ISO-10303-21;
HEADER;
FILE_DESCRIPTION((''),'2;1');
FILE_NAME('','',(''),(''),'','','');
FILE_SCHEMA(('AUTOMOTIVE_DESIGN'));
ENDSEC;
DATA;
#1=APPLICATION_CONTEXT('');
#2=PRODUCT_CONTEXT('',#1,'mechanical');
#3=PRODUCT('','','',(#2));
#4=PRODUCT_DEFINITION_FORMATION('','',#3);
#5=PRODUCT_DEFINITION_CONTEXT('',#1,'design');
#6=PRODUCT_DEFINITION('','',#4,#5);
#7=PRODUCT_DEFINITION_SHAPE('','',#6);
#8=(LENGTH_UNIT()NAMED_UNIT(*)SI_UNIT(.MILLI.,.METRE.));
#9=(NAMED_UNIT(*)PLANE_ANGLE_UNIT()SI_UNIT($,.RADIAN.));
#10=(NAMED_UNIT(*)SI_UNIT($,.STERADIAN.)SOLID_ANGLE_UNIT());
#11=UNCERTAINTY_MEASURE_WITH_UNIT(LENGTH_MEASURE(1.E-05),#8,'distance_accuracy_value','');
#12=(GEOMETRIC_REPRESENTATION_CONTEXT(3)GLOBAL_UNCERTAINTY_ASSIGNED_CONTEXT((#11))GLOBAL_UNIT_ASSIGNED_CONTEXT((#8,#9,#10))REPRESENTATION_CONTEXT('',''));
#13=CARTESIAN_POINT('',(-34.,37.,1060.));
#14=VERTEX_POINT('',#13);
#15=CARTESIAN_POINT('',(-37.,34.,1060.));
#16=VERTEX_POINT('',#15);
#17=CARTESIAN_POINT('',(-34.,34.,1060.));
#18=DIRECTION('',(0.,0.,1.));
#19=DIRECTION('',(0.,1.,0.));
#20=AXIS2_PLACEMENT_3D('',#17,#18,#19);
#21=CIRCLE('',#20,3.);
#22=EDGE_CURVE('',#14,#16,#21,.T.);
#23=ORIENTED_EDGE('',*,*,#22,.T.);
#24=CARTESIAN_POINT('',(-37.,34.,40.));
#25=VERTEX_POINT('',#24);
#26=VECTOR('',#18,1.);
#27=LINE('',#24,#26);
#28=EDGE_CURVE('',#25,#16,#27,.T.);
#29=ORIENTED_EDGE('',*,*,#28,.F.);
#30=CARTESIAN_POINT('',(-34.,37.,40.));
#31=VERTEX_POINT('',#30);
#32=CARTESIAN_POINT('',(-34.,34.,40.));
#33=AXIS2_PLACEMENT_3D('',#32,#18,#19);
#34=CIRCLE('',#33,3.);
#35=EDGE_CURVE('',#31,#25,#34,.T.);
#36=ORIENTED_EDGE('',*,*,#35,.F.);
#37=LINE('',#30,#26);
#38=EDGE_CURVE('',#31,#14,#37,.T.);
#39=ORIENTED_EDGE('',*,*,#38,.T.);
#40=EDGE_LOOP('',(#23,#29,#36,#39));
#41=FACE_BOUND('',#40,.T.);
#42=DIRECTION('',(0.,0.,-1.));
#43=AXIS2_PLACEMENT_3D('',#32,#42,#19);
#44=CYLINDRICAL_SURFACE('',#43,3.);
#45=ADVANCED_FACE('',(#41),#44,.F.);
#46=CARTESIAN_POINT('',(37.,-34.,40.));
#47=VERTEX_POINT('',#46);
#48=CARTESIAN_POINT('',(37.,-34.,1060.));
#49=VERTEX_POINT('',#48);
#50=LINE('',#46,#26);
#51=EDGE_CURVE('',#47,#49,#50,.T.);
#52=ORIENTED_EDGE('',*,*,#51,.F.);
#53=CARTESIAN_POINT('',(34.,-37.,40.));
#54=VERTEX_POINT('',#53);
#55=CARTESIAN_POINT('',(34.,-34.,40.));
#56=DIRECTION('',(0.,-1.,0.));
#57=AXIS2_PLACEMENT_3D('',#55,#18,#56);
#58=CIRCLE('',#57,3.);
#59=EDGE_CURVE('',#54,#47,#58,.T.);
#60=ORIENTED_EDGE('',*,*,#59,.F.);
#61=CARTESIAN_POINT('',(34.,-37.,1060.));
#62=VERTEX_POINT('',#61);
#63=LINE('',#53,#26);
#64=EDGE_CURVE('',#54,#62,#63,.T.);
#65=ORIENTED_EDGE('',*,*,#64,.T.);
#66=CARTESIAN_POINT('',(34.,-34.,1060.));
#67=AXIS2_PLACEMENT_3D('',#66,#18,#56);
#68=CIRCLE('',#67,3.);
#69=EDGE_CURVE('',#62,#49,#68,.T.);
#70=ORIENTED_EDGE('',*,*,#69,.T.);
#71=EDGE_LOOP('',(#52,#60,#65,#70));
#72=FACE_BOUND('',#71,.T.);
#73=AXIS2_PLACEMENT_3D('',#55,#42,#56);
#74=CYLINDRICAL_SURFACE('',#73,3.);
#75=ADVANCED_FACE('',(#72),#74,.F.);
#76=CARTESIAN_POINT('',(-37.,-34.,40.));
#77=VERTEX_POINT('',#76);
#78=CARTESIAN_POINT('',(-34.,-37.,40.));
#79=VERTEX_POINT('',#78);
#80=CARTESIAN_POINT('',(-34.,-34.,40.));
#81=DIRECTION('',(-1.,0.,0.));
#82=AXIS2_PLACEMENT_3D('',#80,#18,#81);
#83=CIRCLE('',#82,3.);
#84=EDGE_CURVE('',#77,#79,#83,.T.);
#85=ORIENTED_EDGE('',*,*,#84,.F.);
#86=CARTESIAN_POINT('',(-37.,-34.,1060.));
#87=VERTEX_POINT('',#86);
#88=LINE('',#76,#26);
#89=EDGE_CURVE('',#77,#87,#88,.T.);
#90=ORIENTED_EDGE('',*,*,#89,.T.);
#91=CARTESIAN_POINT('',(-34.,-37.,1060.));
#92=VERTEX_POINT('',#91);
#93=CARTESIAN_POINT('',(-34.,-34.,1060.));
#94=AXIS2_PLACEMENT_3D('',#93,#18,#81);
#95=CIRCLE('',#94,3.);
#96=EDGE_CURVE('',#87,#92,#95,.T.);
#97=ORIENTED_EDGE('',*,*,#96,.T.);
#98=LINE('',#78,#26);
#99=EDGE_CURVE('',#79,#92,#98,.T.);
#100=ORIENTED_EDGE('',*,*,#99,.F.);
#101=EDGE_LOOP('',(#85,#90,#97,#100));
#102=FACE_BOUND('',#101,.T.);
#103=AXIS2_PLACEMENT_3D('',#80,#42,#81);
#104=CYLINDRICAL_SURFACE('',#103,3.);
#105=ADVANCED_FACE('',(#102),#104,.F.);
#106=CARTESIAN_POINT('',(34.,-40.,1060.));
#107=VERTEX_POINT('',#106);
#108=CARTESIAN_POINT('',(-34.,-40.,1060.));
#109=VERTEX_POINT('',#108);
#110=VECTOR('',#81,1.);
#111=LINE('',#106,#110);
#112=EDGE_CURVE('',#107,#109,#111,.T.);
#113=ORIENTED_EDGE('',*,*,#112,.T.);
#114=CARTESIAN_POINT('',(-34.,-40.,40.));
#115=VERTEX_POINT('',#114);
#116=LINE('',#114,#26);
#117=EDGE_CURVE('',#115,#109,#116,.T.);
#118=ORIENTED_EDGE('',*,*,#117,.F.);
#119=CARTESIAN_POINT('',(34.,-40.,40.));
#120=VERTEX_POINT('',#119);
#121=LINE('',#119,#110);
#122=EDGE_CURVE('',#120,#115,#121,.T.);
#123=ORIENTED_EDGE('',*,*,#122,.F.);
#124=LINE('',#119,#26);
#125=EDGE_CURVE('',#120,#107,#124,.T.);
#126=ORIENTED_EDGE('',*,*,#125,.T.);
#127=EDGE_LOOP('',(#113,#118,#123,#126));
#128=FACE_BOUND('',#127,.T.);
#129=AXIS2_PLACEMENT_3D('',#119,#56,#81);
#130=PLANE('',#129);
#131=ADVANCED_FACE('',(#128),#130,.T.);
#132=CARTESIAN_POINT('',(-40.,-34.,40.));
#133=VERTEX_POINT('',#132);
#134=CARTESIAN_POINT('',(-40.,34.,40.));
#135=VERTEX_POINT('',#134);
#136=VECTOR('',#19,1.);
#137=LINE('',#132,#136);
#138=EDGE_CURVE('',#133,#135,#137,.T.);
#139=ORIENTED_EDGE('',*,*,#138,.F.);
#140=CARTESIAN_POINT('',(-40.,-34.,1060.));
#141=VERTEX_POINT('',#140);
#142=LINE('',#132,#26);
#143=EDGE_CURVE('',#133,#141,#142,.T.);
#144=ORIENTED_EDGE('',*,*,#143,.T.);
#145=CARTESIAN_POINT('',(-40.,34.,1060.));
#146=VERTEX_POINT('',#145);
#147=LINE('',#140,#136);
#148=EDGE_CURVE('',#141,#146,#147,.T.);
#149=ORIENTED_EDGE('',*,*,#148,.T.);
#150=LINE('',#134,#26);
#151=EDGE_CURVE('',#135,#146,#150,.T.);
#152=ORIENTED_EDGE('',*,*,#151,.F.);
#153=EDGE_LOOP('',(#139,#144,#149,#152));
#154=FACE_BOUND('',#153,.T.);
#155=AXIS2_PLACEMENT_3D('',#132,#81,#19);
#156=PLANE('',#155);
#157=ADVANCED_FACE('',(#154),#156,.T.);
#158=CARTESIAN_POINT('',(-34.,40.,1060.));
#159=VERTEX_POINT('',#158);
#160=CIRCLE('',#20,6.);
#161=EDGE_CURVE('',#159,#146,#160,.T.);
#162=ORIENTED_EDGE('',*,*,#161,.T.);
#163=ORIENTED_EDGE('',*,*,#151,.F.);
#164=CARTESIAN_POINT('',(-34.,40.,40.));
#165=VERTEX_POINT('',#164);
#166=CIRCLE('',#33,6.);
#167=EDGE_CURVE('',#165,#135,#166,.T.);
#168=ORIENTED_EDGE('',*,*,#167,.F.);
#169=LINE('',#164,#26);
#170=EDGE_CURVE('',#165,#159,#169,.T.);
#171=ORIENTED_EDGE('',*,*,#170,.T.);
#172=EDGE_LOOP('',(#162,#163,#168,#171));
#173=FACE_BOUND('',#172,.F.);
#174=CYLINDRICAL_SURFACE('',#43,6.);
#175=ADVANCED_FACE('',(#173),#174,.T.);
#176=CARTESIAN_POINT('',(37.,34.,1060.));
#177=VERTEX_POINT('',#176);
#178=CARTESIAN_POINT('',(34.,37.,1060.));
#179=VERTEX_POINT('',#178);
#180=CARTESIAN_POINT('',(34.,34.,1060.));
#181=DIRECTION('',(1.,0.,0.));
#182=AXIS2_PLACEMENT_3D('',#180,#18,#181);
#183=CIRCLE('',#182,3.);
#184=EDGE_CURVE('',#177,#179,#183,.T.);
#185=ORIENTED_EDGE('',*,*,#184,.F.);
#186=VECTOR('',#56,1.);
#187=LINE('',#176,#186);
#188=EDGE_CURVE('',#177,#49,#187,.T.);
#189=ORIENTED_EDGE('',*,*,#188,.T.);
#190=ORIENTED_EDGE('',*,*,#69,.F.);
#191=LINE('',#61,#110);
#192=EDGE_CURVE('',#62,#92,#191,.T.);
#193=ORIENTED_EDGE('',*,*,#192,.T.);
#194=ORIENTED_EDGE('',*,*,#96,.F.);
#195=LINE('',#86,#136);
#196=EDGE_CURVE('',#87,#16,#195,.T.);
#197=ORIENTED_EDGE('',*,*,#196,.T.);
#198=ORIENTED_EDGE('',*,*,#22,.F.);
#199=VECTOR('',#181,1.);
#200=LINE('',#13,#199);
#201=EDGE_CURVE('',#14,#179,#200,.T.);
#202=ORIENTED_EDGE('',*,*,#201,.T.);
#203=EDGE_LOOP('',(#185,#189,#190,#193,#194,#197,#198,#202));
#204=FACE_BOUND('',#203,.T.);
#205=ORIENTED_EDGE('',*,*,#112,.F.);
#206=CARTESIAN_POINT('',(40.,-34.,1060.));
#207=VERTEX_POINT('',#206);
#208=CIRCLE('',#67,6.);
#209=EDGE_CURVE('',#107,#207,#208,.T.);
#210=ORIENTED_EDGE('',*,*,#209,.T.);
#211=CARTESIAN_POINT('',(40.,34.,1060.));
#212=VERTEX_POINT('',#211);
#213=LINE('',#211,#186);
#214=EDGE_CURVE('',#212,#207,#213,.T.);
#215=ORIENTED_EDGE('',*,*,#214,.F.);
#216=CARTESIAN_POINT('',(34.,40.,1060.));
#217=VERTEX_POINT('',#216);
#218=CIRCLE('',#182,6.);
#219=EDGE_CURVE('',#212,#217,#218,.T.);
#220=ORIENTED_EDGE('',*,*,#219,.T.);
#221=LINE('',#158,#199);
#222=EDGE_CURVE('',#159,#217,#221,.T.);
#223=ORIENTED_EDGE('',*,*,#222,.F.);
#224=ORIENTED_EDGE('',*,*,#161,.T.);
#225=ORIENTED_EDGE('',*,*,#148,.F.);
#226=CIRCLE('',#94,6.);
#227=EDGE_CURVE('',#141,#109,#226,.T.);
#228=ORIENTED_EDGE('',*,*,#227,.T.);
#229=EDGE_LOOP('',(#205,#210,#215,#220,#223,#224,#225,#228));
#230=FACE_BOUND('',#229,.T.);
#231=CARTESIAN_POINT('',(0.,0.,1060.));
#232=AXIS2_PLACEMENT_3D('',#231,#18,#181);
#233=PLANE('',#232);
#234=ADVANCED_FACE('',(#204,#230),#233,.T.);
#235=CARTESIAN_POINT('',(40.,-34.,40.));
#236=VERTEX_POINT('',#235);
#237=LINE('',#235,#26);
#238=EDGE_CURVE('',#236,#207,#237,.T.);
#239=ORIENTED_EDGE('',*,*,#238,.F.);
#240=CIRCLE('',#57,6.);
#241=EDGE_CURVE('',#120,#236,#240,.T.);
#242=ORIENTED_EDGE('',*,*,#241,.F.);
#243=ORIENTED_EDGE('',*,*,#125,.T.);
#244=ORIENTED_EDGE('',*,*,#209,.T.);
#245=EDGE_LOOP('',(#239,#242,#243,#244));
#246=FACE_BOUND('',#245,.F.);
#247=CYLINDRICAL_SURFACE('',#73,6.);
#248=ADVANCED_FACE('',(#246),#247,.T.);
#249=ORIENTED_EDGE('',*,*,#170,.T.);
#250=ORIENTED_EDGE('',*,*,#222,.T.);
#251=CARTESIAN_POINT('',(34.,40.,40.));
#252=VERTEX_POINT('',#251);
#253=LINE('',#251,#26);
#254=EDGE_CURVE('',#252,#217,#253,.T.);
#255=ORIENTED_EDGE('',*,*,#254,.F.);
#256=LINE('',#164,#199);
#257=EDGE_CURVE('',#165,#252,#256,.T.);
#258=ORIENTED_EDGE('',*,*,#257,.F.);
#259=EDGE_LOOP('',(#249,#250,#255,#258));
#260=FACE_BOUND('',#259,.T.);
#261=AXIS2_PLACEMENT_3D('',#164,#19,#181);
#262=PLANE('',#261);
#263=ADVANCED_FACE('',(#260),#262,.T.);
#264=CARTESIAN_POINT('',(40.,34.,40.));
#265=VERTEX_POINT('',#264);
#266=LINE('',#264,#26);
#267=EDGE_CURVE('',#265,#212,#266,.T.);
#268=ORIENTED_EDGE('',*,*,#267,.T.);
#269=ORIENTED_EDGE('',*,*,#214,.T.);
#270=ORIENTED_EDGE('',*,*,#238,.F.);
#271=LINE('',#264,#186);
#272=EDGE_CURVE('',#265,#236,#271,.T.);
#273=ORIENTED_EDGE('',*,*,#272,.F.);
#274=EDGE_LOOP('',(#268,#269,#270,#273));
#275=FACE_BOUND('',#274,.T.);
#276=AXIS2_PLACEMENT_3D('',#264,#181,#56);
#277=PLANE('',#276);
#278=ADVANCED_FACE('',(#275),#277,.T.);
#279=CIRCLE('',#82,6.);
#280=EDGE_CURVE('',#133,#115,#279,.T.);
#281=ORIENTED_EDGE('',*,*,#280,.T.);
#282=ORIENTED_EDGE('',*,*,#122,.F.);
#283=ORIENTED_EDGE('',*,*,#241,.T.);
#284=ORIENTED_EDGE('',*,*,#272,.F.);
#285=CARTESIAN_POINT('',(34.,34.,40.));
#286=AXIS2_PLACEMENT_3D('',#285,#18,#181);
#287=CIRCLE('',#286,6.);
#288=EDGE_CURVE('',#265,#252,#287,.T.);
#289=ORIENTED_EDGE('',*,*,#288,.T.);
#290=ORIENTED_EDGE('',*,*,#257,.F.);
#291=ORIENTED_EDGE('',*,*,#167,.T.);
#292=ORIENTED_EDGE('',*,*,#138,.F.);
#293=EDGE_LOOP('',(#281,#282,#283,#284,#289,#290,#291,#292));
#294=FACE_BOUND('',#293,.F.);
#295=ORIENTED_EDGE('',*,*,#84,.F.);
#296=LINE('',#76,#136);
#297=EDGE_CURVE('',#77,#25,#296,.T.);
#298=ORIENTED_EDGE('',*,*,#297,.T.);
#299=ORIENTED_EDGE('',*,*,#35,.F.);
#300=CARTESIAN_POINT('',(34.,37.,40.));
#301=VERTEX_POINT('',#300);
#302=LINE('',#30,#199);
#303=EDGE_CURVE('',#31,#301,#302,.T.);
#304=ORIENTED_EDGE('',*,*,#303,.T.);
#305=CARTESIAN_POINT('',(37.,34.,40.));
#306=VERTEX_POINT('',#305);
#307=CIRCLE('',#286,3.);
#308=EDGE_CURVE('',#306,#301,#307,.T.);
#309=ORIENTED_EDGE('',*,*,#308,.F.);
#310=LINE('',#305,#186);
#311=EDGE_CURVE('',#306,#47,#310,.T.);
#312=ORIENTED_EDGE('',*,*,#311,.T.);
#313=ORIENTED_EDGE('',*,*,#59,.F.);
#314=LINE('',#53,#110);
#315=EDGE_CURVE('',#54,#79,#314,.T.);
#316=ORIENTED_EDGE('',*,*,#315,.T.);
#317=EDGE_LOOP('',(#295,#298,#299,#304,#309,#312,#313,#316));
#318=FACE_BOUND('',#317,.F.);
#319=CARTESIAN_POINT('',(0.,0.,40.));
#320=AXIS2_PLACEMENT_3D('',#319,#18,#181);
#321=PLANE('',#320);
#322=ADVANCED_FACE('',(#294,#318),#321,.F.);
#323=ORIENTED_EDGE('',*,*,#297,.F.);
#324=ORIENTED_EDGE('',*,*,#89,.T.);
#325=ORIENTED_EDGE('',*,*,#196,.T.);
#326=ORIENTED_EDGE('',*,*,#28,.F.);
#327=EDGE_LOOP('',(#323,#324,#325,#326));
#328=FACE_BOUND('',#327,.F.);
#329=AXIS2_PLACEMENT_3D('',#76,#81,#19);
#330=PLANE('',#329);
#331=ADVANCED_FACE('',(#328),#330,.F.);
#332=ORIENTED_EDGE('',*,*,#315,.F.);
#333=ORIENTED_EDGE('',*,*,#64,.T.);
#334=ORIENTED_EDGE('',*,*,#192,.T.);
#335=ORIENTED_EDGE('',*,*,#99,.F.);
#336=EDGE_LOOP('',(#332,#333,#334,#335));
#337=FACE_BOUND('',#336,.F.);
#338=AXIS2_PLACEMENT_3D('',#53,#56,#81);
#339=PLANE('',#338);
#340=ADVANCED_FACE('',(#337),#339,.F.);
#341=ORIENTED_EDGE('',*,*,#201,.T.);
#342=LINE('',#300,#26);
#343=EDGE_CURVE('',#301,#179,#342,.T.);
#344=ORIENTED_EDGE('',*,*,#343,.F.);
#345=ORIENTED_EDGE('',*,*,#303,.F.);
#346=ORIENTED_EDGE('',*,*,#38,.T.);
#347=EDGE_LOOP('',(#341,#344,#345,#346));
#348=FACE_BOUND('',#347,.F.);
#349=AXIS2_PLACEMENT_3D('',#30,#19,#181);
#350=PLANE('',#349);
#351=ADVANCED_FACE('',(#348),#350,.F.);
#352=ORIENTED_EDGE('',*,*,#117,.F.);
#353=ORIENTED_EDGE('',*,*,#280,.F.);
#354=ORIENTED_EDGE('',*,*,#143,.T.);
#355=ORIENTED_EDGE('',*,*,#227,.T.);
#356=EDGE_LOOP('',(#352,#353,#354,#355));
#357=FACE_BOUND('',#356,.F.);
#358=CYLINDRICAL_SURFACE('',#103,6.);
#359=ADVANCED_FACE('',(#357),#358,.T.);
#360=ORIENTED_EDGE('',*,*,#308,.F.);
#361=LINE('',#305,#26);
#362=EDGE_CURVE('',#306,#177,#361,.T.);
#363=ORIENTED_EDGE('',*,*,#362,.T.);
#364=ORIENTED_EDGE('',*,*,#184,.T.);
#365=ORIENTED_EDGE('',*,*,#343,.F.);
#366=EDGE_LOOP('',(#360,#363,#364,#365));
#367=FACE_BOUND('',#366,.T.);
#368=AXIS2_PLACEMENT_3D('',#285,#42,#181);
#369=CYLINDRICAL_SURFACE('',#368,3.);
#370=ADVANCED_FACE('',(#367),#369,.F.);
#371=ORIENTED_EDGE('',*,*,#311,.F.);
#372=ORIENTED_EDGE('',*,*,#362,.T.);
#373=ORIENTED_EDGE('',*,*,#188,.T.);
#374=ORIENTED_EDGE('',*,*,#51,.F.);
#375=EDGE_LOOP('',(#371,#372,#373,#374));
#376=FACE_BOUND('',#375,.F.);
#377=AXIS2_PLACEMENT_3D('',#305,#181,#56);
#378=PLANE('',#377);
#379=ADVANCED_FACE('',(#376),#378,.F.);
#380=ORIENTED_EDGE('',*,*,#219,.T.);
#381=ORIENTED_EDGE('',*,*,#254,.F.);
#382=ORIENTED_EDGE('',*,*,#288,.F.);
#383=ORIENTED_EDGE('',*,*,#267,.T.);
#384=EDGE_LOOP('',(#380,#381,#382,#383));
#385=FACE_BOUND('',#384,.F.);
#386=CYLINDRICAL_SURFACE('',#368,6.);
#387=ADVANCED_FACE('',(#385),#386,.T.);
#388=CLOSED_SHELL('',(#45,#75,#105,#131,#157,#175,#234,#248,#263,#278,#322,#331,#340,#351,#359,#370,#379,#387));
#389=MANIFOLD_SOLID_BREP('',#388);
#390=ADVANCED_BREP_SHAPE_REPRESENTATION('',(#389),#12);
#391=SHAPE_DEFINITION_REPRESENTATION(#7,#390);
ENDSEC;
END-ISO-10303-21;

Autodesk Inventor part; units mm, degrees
ref_plane "YZ Plane" through (0, 0, 0) normal (1, 0, 0) x (0, 1, 0)
ref_plane "Start Plane" through (0, 0, 40) normal (0, 0, 1) x (1, 0, 0)
ref_plane "End Plane" through (0, 0, 1060) normal (0, 0, 1) x (1, 0, 0)
sketch "Sketch" plane through (0, 0, 0) normal (0, 0, 1) x (1, 0, 0)
  line L0 (-40, -34) -> (-40, 34)
  line L1 (-34, 40) -> (34, 40)
  line L2 (40, 34) -> (40, -34)
  line L3 (34, -40) -> (-34, -40)
  arc A0 (-40, -34) -> (-34, -40) centre (-34, -34) ccw
  arc A1 (40, 34) -> (34, 40) centre (34, 34) ccw
  arc A2 (-34, 40) -> (-40, 34) centre (-34, 34) ccw
  arc A3 (34, -40) -> (40, -34) centre (34, -34) ccw
  arc A4 (-34, 37) -> (-37, 34) centre (-34, 34) ccw
  line L4 (-34, 37) -> (34, 37)
  arc A5 (37, 34) -> (34, 37) centre (34, 34) ccw
  line L5 (37, 34) -> (37, -34)
  arc A6 (34, -37) -> (37, -34) centre (34, -34) ccw
  line L6 (34, -37) -> (-34, -37)
  arc A7 (-37, -34) -> (-34, -37) centre (-34, -34) ccw
  line L7 (-37, -34) -> (-37, 34)
  line L8 (0, 57.7397) -> (0, -57.7397) construction
  line L9 (-57.7397, 0) -> (57.7397, 0) construction
  dimension "d7" = 6
  dimension "d9" = 80
  dimension "d11" = 80
  dimension "d12" = 3
  dimension "d15" = 40
  dimension "d16" = 40
extrude "Body" add sketch "Sketch" along normal up to surface (1020 mm away) from surface at 40
sketch "Sketch3" plane through (0, 0, 0) normal (0, 0, 1) x (1, 0, 0)
  line L0 (0, 0) -> (10, 0)
ref_plane "Work Plane3" through (0, 0, 0) normal (0, -1, 0) x (1, 0, 0)
sketch "Sketch4" plane through (0, 0, 0) normal (0, -1, 0) x (1, 0, 0)
  line L0 (-2, 40) -> (12, 40) projected
  line L1 (-2, 1060) -> (12, 1060) projected
  dimension "d18" = 1020
equation "\"d7\" = G_IR"
equation "\"d9\" = G_W"
equation "\"d11\" = G_H"
equation "\"d12\" = G_T"
equation "\"d15\" = 0.5 * d9"
equation "\"d16\" = 0.5 * d11"
equation "\"d3\" = G_L"
equation "\"G_W\" = 80"
equation "\"G_H\" = 80"
equation "\"G_T\" = 3"
equation "\"G_IR\" = 6"
equation "\"G_L\" = d18"
properties part number "ISO 4019 - 80x80x3 - 1020" material "Steel, Mild"
